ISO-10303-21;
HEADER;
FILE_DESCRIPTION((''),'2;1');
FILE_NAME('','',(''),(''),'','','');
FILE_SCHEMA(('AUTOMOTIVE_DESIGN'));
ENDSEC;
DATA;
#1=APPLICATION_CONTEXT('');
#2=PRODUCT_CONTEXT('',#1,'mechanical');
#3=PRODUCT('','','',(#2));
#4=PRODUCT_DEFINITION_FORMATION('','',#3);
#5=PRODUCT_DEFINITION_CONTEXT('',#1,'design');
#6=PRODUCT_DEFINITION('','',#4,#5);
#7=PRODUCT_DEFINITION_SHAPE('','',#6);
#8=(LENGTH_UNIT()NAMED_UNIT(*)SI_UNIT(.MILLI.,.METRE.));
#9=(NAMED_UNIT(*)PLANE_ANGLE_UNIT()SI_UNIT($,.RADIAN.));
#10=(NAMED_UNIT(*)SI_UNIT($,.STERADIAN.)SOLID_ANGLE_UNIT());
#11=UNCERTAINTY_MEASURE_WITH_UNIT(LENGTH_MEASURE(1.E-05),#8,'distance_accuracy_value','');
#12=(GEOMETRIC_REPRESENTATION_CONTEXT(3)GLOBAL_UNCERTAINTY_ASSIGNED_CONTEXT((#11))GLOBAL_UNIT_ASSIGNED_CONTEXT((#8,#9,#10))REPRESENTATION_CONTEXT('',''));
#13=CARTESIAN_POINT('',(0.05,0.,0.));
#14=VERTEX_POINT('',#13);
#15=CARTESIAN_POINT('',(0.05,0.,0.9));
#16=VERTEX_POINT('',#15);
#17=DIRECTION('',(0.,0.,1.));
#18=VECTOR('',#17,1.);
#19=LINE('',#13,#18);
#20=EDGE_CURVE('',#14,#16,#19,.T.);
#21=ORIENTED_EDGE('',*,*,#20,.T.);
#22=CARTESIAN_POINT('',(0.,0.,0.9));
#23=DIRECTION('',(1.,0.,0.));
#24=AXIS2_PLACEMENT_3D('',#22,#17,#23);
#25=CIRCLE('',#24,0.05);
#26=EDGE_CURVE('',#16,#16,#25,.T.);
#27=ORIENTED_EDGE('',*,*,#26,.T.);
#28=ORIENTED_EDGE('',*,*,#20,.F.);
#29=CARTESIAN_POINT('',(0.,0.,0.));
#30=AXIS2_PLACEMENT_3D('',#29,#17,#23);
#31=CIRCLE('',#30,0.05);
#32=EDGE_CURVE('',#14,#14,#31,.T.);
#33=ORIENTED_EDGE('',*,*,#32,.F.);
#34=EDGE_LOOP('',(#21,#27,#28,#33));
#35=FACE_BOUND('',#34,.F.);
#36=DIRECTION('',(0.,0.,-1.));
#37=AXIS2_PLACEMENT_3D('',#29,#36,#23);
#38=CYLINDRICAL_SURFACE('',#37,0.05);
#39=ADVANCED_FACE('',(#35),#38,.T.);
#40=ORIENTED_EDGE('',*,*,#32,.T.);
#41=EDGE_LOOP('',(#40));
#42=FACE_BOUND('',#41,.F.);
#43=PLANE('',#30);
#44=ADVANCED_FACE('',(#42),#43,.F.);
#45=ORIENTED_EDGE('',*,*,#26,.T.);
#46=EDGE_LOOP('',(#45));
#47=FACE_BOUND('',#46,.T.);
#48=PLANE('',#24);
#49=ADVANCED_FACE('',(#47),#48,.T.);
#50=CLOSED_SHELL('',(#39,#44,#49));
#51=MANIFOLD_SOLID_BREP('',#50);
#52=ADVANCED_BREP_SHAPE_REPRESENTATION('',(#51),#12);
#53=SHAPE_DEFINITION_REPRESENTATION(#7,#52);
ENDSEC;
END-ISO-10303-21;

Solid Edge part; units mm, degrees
sketch "Sketch1" plane through (0, 0, 0) normal (0, 0, 1) x (1, 0, 0)
  circle A0 centre (0, 0) radius 0.05
  dimension "D1" = 0.1
extrude "Protrusion1" add sketch "Sketch1" along normal blind 0.9
